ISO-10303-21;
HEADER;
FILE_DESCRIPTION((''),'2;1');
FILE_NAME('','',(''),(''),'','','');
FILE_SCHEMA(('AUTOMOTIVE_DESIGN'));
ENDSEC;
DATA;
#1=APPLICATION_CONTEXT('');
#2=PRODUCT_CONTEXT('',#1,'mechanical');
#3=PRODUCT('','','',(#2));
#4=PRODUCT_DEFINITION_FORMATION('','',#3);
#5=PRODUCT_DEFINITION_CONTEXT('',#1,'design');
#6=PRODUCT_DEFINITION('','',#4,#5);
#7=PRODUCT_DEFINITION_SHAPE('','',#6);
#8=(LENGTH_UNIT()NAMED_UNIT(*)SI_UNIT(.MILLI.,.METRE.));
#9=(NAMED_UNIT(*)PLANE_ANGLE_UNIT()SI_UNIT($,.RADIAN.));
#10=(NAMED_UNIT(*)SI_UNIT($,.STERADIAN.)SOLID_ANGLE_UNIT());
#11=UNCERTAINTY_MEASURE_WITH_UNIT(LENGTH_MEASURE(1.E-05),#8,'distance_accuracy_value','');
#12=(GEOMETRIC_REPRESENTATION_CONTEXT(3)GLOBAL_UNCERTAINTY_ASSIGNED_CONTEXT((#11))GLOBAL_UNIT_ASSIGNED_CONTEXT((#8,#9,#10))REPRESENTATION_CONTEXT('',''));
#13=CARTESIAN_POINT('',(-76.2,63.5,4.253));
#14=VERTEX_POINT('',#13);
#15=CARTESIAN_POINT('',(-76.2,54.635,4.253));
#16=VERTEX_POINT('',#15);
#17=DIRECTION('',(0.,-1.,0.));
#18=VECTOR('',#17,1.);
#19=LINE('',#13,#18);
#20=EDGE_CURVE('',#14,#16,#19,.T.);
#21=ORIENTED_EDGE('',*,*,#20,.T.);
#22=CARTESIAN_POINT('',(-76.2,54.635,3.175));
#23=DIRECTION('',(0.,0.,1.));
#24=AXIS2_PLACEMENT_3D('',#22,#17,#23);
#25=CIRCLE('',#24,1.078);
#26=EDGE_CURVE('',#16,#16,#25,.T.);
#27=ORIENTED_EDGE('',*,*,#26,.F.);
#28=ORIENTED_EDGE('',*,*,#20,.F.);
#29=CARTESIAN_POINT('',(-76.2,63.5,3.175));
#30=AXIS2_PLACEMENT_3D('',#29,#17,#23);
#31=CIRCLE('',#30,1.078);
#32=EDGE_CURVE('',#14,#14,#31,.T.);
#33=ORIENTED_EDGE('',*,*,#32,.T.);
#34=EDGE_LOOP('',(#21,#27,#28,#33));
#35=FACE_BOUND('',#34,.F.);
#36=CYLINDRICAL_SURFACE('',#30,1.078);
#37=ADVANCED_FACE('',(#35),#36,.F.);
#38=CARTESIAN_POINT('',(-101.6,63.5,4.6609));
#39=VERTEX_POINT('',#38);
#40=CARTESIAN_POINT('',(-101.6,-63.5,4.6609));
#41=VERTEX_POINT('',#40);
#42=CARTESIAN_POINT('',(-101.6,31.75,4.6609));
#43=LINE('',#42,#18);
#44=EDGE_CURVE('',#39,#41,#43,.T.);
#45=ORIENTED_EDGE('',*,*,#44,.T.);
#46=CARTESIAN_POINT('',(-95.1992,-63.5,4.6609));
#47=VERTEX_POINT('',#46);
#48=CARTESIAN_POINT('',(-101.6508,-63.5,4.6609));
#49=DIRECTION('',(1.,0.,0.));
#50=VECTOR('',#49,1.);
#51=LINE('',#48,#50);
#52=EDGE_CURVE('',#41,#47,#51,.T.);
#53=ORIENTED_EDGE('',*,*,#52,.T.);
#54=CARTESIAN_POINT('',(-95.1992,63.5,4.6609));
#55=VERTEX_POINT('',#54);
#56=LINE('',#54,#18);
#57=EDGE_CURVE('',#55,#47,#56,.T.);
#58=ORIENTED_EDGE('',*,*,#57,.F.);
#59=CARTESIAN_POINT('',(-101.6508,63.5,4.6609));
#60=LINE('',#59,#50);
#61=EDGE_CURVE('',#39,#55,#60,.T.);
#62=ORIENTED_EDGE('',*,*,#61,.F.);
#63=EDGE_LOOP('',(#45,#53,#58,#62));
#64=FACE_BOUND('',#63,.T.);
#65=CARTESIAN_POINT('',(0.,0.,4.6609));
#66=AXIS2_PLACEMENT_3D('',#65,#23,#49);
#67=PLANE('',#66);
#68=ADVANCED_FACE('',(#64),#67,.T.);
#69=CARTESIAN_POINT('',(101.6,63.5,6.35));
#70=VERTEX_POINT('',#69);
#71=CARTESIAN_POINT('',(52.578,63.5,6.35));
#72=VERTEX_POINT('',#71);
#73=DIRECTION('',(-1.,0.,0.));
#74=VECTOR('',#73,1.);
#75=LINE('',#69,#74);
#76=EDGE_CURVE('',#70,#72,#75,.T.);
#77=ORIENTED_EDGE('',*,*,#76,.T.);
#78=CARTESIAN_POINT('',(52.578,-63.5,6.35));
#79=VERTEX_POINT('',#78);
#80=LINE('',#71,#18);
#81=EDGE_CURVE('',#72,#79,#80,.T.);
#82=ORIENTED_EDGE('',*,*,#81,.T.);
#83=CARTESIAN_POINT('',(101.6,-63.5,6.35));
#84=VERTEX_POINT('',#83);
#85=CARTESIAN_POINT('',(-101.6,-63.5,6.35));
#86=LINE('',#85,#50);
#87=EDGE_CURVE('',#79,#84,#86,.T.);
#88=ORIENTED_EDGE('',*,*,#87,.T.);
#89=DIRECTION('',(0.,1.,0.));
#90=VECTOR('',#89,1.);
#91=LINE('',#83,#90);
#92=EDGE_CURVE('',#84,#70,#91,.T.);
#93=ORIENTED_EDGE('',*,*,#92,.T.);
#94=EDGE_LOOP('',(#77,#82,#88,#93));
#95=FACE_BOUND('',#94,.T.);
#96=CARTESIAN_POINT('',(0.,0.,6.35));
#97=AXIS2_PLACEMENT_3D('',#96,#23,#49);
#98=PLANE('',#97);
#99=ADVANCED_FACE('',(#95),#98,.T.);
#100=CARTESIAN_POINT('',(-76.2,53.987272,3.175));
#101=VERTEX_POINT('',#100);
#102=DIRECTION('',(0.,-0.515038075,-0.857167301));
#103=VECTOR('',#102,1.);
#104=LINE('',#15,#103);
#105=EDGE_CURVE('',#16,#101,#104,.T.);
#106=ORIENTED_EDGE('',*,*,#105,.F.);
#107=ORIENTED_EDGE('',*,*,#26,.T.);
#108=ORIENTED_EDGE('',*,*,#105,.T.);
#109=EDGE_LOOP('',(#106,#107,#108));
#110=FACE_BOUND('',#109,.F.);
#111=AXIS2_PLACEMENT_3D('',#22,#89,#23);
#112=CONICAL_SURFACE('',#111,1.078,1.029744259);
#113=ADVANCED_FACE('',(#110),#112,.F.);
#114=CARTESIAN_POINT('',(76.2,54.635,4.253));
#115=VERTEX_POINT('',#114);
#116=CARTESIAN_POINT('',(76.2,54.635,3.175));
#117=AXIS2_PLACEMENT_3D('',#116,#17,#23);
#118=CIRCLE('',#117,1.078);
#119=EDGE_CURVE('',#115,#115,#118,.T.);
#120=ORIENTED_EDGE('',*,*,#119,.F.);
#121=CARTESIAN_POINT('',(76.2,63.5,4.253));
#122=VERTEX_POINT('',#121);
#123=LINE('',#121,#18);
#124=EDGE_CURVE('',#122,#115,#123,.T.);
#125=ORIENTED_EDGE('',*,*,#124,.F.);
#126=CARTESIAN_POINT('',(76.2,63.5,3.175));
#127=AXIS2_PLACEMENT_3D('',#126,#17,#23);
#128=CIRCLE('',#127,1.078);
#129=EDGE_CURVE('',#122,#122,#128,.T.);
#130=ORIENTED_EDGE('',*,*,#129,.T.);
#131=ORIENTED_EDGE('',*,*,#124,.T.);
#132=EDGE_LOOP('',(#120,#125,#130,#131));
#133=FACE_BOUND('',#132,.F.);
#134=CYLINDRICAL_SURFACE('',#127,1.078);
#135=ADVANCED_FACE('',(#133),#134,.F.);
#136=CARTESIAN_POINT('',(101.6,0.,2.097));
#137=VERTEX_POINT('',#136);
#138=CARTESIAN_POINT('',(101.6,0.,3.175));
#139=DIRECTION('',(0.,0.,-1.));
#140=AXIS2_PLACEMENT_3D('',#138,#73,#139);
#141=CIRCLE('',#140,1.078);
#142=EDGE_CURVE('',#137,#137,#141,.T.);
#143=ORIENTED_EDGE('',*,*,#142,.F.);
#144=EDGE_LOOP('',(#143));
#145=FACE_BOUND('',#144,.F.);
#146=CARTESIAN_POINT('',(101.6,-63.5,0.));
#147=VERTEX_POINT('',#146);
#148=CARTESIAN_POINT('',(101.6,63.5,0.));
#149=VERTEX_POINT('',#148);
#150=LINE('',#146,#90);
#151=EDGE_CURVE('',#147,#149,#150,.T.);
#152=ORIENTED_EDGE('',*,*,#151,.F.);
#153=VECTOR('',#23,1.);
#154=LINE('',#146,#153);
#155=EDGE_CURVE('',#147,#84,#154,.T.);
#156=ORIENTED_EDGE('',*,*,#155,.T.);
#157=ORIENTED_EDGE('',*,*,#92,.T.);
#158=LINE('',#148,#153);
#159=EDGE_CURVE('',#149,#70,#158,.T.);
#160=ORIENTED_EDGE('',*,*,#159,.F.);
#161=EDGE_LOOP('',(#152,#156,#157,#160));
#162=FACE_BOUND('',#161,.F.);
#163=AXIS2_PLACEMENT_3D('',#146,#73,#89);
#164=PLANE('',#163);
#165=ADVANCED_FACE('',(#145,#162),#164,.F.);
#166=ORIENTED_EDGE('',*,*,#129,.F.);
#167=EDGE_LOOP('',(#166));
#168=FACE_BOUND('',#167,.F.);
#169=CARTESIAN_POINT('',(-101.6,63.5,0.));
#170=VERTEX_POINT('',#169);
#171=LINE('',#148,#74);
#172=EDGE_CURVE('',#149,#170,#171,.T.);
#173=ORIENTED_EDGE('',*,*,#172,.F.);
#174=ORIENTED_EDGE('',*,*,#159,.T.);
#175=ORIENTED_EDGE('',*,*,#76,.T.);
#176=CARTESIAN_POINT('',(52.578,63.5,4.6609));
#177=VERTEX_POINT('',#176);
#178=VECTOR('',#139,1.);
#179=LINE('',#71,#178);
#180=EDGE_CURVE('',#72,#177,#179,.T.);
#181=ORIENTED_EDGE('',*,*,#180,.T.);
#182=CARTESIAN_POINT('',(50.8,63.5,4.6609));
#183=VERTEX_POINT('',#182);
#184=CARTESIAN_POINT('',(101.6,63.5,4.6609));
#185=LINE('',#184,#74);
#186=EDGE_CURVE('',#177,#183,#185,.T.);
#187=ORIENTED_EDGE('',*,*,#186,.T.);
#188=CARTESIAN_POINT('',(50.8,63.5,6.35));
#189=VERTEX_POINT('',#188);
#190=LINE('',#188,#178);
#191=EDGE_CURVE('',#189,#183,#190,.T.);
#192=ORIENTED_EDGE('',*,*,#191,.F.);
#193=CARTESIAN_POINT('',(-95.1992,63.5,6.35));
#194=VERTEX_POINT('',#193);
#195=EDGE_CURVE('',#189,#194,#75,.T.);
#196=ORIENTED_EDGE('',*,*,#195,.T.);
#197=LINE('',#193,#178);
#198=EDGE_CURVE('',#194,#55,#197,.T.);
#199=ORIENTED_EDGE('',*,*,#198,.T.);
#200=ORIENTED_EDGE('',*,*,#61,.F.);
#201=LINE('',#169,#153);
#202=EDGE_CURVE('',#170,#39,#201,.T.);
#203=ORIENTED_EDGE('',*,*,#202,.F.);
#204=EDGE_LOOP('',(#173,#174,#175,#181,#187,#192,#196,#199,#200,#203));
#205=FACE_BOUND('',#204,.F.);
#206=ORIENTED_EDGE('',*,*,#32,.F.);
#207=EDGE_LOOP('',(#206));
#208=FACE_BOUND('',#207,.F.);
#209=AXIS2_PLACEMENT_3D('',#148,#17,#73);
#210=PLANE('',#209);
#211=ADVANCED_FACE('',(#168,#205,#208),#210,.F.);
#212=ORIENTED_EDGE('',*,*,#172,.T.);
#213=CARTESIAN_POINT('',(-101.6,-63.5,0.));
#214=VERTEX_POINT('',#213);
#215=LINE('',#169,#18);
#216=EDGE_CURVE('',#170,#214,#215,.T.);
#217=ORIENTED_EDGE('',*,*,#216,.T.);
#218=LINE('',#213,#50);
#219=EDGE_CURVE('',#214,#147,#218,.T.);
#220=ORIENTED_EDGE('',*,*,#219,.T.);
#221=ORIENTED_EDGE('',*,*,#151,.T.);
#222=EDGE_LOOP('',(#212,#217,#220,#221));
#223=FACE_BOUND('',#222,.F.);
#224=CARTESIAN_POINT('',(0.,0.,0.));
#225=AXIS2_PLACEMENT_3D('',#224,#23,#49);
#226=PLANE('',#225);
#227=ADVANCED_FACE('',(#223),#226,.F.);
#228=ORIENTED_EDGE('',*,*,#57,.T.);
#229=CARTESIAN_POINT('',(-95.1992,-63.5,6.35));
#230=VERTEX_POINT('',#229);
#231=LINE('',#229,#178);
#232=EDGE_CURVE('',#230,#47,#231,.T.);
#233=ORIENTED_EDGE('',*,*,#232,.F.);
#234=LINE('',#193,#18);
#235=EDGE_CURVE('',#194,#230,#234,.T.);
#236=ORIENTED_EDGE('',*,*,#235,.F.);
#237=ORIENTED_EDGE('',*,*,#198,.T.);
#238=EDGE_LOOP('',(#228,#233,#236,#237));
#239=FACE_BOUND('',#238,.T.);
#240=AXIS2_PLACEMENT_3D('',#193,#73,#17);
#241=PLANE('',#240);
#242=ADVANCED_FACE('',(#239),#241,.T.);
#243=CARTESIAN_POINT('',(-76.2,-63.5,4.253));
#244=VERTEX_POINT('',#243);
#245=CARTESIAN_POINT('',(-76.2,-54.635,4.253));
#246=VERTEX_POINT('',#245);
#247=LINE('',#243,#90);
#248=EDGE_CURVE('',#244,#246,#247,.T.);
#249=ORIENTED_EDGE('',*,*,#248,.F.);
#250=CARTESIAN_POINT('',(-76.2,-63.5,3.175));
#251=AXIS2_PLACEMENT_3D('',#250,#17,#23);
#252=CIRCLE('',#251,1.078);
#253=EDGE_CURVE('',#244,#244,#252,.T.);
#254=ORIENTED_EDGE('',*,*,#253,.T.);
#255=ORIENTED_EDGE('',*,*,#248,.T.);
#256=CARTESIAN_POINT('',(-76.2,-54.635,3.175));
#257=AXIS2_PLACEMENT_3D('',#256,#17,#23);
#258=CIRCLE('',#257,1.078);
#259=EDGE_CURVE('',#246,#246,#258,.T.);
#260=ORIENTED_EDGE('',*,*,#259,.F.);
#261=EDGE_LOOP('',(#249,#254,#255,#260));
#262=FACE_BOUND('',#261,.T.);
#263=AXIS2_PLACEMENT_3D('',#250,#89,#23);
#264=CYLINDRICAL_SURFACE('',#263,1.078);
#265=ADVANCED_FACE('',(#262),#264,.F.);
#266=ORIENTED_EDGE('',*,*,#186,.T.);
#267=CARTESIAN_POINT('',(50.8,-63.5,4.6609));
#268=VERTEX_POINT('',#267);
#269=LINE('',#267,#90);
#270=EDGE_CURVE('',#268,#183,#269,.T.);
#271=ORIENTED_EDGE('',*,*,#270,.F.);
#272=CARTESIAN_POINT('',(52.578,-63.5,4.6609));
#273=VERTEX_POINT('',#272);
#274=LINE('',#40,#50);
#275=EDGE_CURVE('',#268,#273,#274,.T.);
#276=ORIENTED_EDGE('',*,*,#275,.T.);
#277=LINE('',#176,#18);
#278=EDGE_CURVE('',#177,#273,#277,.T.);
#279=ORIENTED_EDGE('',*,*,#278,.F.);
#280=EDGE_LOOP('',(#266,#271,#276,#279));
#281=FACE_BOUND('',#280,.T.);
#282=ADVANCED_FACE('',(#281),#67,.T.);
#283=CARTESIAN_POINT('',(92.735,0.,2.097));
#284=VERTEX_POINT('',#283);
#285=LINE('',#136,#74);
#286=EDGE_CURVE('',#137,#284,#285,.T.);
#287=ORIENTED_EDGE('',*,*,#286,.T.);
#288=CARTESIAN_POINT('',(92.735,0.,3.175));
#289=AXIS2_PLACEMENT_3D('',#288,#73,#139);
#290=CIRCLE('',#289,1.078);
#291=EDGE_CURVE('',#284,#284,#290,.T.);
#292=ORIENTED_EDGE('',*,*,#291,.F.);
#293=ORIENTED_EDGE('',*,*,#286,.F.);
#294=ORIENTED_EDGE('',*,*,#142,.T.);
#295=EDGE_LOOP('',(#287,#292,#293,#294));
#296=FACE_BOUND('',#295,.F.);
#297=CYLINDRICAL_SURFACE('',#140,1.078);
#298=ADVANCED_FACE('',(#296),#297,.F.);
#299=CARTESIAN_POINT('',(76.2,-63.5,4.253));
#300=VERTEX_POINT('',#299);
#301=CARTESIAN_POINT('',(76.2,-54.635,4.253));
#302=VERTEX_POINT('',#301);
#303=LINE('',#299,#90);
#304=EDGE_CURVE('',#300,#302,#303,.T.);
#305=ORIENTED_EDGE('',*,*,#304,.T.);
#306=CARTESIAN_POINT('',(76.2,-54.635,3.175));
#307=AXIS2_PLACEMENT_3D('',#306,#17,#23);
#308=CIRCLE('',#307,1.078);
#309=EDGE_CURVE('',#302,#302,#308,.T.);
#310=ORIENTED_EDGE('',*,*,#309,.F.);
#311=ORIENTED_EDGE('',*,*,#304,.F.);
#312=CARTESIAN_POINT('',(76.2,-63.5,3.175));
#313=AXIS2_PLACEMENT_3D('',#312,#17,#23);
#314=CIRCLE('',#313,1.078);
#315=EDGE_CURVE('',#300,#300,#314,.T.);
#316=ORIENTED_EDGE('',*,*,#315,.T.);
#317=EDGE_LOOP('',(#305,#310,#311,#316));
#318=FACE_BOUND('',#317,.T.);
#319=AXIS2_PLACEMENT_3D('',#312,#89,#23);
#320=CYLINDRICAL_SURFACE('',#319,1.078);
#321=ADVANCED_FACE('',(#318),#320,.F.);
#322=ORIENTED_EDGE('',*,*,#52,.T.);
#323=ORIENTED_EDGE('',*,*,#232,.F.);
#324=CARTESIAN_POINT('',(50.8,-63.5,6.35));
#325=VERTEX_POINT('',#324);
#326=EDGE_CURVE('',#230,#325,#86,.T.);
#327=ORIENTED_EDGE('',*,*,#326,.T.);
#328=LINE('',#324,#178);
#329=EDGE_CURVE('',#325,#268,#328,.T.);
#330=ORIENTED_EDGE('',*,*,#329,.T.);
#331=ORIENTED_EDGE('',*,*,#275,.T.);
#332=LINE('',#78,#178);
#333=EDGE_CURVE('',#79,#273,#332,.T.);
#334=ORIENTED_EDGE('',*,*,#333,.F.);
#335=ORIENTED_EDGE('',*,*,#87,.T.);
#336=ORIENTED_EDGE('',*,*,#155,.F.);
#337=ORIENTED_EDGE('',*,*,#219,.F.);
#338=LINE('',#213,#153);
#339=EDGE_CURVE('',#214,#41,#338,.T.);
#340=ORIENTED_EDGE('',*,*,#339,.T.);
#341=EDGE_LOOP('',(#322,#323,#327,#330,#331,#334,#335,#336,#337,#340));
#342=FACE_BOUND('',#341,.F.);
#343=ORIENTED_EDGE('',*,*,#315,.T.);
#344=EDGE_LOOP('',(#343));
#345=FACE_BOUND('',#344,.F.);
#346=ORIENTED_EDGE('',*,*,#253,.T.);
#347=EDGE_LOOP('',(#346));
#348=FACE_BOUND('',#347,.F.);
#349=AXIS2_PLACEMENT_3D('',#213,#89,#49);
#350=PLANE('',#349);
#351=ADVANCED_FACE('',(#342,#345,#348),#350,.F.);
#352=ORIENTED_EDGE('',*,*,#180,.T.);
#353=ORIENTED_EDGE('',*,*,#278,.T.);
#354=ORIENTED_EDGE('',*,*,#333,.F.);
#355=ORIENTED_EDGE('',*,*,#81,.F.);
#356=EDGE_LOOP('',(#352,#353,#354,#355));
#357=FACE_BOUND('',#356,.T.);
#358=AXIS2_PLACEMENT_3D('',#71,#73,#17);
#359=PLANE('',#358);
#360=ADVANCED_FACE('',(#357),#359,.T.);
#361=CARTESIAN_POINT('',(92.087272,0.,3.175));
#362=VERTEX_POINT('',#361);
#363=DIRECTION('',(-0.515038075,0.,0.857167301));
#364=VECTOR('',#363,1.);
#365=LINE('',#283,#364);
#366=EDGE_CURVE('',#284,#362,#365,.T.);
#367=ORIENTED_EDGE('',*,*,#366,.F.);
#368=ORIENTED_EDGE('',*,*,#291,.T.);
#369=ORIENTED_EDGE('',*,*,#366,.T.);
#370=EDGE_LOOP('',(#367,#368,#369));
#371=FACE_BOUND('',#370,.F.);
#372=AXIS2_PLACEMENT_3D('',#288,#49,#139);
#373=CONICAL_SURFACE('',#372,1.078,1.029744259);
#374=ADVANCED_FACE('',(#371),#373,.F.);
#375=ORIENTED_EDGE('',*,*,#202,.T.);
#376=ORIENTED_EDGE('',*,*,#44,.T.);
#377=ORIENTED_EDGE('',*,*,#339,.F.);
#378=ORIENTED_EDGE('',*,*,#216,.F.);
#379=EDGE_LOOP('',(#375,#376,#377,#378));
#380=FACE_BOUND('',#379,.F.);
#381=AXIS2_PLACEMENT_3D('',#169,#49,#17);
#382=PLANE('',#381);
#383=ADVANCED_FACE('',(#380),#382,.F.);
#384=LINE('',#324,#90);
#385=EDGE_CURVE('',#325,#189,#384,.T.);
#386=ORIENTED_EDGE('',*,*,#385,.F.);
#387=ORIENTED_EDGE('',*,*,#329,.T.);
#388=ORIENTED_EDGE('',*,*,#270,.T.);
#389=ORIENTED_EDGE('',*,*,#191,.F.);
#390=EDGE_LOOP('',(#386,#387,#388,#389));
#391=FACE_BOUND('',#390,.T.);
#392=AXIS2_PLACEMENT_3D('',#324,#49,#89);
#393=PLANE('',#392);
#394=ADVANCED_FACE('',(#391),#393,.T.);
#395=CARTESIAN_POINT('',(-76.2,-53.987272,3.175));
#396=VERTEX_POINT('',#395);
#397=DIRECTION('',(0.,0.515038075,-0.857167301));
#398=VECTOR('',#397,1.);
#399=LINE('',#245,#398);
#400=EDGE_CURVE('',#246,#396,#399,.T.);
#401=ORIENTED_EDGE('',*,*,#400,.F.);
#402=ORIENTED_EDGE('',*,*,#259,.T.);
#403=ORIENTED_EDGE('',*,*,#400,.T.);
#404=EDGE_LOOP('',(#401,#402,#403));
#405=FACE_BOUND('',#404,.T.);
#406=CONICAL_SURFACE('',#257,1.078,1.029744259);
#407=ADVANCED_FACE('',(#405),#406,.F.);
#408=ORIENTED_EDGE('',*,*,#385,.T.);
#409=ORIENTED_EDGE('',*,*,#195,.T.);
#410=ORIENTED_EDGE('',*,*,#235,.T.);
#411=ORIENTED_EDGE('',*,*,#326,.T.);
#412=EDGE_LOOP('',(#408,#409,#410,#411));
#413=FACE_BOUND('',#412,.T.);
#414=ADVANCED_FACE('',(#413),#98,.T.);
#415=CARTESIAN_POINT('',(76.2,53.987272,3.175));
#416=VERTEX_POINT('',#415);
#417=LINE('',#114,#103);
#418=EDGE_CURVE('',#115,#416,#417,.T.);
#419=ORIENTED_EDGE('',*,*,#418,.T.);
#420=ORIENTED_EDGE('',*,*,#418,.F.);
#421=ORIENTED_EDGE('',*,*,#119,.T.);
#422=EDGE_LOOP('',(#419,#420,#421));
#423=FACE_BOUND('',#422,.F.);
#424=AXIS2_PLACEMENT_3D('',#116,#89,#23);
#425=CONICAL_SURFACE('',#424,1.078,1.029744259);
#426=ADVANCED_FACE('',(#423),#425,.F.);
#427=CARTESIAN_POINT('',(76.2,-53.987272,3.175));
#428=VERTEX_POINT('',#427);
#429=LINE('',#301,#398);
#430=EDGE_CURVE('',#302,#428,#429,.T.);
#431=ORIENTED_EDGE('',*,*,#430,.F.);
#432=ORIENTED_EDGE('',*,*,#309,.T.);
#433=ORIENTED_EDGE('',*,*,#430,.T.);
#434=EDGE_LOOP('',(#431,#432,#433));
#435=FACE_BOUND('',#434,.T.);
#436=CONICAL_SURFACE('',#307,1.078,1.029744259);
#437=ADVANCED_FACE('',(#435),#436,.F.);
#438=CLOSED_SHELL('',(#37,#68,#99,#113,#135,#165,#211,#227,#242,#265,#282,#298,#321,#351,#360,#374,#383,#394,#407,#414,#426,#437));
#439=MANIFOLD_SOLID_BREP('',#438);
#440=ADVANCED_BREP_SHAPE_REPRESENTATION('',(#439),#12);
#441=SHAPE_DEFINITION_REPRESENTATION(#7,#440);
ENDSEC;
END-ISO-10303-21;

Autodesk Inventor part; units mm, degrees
ref_plane "YZ Plane" through (0, 0, 0) normal (1, 0, 0) x (0, 1, 0)
ref_plane "XZ Plane" through (0, 0, 0) normal (0, 1, 0) x (-1, 0, 0)
ref_plane "XY Plane" through (0, 0, 0) normal (0, 0, 1) x (1, 0, 0)
sketch "Sketch1" plane through (0, 0, 0) normal (0, 0, 1) x (1, 0, 0)
  line L0 (-101.6, -63.5) -> (101.6, -63.5)
  line L1 (101.6, -63.5) -> (101.6, 63.5)
  line L2 (101.6, 63.5) -> (-101.6, 63.5)
  line L3 (-101.6, 63.5) -> (-101.6, -63.5)
  line L4 (-101.6, -63.5) -> (101.6, 63.5) construction
  line L5 (101.6, -63.5) -> (-101.6, 63.5) construction
  point P0 (0, 0)
  dimension "d0" = 203.2
  dimension "d1" = 127
extrude "Extrusion1" add sketch "Sketch1" along normal blind 6.35
sketch "Sketch13" plane through (0, 0, 6.35) normal (0, 0, 1) x (1, 0, 0)
  line L0 (-101.6, -63.5) -> (101.6, -63.5) projected
  line L1 (101.6, -63.5) -> (101.6, 63.5) projected
  line L2 (101.6, 63.5) -> (-101.6, 63.5) projected
  line L3 (-101.6, 63.5) -> (-101.6, -63.5) projected
  line L4 (-101.6, -63.5) -> (101.6, -63.5) projected
  line L5 (52.578, -63.5) -> (50.8, -63.5)
  line L6 (50.8, -63.5) -> (50.8, 63.5)
  line L7 (50.8, 63.5) -> (52.578, 63.5)
  line L8 (52.578, 63.5) -> (52.578, -63.5)
  point P0 (0, 0)
  dimension "d96" = 1.778
  dimension "d97" = 49.022
extrude "Extrusion7" cut sketch "Sketch13" against normal blind 1.6891 contours L6 L2 L8 L0
sketch "Sketch14" plane through (-101.6, 63.5, 0) normal (0, 1, 0) x (1, 0, 0)
  line L0 (152.4, -6.35) -> (152.4, -4.6609) projected
  line L1 (152.4, -4.6609) -> (154.178, -4.6609) projected
  line L2 (154.178, -4.6609) -> (154.178, -6.35) projected
  line L3 (203.2, -6.35) -> (154.178, -6.35) projected
  line L4 (203.2, 0) -> (203.2, -6.35) projected
  line L5 (203.2, 0) -> (0, 0) projected
  line L6 (0, 0) -> (0, -6.35) projected
  line L7 (152.4, -6.35) -> (0, -6.35) projected
  point P0 (101.6, 0)
  point P1 (177.8, -3.175)
  point P2 (25.4, -3.175)
  dimension "d100" = 25.4
  dimension "d101" = 25.4
  dimension "d102" = 3.175
  dimension "d103" = 3.175
hole "Hole6" at (76.2, 63.5, 3.175) at (-76.2, 63.5, 3.175) direction (0, -1, 0) diameter 2.156 depth 8.865 tip angle 118 thread size "4-40 UNC" class "2B" standard "ANSI Unified Screw Threads"
mirror "Mirror5" about plane through (0, 0, 0) normal (0, 1, 0) of "Hole6"
sketch "Sketch15" plane through (0, 0, 6.35) normal (0, 0, 1) x (1, 0, 0)
  line L0 (50.8, -63.5) -> (50.8, 63.5) projected
  line L1 (50.8, -63.5) -> (50.8, 63.5) projected
  line L2 (50.8, 63.5) -> (-101.6, 63.5) projected
  line L3 (-101.6, 63.5) -> (-101.6, -63.5) projected
  line L4 (-101.6, -63.5) -> (50.8, -63.5) projected
  line L5 (-101.6, -63.5) -> (101.6, -63.5) projected
  line L6 (101.6, 63.5) -> (-101.6, 63.5) projected
  line L7 (-95.1992, -63.5) -> (-101.6508, -63.5)
  line L8 (-101.6508, -63.5) -> (-101.6508, 63.5)
  line L9 (-101.6508, 63.5) -> (-95.1992, 63.5)
  line L10 (-95.1992, 63.5) -> (-95.1992, -63.5)
  point P0 (0, 0)
  dimension "d111" = 152.4508
  dimension "d112" = 6.4516
extrude "Extrusion8" cut sketch "Sketch15" against normal blind 1.6891 contours L4 L3 L2 L10 | L7 L8 L9 L3
sketch "Sketch16" plane through (101.6, -63.5, 0) normal (1, 0, 0) x (0, 0, -1)
  line L0 (0, 0) -> (0, 127) projected
  line L1 (0, 127) -> (-6.35, 127) projected
  line L2 (-6.35, 0) -> (-6.35, 127) projected
  line L3 (0, 0) -> (-6.35, 0) projected
  point P0 (0, 63.5)
  point P1 (-3.175, 63.5)
  dimension "d115" = 63.5
  dimension "d116" = 3.175
hole "Hole7" at (101.6, 0, 3.175) direction (-1, 0, 0) diameter 2.156 depth 8.865 tip angle 118 thread size "4-40 UNC" class "2B" standard "ANSI Unified Screw Threads"
equation "\"d0\" = depth"
equation "\"d1\" = width"
equation "\"d2\" = caseThickness"
equation "\"d97\" = aerogelHolderDepth"
equation "\"d98\" = alignmentGrooveDepth + alignmentGrooveClearance"
equation "\"d100\" = 4 * caseThickness"
equation "\"d101\" = 4 * caseThickness"
equation "\"d102\" = 0.5 * caseThickness"
equation "\"d103\" = 0.5 * caseThickness"
equation "\"width\" = 127"
equation "\"depth\" = 203.2"
equation "\"focalLength\" = 152.4"
equation "\"aerogelHolderDepth\" = 49.022"
equation "\"caseThickness\" = 6.35"
equation "\"alignmentGrooveDepth\" = 1.5875"
equation "\"alignmentGrooveClearance\" = 0.1016"
equation "\"height\" = 127"
equation "\"mirrorAngle\" = 2.5deg"
equation "\"mirrorThickness\" = 3.175"
equation "\"fresnelThickness\" = 0.254"
equation "\"ior\" = 1.49"
equation "\"centerThickness\" = 1.27"
equation "\"fresnelAngle\" = 90deg"
equation "\"fresnelEffectiveDiameter\" = 152.4"
equation "\"frontPanelThickness\" = 1.5875"
equation "\"fresnelGrooveWidth\" = 1.778"
properties part number "bottom" material "Aluminum 6061"
